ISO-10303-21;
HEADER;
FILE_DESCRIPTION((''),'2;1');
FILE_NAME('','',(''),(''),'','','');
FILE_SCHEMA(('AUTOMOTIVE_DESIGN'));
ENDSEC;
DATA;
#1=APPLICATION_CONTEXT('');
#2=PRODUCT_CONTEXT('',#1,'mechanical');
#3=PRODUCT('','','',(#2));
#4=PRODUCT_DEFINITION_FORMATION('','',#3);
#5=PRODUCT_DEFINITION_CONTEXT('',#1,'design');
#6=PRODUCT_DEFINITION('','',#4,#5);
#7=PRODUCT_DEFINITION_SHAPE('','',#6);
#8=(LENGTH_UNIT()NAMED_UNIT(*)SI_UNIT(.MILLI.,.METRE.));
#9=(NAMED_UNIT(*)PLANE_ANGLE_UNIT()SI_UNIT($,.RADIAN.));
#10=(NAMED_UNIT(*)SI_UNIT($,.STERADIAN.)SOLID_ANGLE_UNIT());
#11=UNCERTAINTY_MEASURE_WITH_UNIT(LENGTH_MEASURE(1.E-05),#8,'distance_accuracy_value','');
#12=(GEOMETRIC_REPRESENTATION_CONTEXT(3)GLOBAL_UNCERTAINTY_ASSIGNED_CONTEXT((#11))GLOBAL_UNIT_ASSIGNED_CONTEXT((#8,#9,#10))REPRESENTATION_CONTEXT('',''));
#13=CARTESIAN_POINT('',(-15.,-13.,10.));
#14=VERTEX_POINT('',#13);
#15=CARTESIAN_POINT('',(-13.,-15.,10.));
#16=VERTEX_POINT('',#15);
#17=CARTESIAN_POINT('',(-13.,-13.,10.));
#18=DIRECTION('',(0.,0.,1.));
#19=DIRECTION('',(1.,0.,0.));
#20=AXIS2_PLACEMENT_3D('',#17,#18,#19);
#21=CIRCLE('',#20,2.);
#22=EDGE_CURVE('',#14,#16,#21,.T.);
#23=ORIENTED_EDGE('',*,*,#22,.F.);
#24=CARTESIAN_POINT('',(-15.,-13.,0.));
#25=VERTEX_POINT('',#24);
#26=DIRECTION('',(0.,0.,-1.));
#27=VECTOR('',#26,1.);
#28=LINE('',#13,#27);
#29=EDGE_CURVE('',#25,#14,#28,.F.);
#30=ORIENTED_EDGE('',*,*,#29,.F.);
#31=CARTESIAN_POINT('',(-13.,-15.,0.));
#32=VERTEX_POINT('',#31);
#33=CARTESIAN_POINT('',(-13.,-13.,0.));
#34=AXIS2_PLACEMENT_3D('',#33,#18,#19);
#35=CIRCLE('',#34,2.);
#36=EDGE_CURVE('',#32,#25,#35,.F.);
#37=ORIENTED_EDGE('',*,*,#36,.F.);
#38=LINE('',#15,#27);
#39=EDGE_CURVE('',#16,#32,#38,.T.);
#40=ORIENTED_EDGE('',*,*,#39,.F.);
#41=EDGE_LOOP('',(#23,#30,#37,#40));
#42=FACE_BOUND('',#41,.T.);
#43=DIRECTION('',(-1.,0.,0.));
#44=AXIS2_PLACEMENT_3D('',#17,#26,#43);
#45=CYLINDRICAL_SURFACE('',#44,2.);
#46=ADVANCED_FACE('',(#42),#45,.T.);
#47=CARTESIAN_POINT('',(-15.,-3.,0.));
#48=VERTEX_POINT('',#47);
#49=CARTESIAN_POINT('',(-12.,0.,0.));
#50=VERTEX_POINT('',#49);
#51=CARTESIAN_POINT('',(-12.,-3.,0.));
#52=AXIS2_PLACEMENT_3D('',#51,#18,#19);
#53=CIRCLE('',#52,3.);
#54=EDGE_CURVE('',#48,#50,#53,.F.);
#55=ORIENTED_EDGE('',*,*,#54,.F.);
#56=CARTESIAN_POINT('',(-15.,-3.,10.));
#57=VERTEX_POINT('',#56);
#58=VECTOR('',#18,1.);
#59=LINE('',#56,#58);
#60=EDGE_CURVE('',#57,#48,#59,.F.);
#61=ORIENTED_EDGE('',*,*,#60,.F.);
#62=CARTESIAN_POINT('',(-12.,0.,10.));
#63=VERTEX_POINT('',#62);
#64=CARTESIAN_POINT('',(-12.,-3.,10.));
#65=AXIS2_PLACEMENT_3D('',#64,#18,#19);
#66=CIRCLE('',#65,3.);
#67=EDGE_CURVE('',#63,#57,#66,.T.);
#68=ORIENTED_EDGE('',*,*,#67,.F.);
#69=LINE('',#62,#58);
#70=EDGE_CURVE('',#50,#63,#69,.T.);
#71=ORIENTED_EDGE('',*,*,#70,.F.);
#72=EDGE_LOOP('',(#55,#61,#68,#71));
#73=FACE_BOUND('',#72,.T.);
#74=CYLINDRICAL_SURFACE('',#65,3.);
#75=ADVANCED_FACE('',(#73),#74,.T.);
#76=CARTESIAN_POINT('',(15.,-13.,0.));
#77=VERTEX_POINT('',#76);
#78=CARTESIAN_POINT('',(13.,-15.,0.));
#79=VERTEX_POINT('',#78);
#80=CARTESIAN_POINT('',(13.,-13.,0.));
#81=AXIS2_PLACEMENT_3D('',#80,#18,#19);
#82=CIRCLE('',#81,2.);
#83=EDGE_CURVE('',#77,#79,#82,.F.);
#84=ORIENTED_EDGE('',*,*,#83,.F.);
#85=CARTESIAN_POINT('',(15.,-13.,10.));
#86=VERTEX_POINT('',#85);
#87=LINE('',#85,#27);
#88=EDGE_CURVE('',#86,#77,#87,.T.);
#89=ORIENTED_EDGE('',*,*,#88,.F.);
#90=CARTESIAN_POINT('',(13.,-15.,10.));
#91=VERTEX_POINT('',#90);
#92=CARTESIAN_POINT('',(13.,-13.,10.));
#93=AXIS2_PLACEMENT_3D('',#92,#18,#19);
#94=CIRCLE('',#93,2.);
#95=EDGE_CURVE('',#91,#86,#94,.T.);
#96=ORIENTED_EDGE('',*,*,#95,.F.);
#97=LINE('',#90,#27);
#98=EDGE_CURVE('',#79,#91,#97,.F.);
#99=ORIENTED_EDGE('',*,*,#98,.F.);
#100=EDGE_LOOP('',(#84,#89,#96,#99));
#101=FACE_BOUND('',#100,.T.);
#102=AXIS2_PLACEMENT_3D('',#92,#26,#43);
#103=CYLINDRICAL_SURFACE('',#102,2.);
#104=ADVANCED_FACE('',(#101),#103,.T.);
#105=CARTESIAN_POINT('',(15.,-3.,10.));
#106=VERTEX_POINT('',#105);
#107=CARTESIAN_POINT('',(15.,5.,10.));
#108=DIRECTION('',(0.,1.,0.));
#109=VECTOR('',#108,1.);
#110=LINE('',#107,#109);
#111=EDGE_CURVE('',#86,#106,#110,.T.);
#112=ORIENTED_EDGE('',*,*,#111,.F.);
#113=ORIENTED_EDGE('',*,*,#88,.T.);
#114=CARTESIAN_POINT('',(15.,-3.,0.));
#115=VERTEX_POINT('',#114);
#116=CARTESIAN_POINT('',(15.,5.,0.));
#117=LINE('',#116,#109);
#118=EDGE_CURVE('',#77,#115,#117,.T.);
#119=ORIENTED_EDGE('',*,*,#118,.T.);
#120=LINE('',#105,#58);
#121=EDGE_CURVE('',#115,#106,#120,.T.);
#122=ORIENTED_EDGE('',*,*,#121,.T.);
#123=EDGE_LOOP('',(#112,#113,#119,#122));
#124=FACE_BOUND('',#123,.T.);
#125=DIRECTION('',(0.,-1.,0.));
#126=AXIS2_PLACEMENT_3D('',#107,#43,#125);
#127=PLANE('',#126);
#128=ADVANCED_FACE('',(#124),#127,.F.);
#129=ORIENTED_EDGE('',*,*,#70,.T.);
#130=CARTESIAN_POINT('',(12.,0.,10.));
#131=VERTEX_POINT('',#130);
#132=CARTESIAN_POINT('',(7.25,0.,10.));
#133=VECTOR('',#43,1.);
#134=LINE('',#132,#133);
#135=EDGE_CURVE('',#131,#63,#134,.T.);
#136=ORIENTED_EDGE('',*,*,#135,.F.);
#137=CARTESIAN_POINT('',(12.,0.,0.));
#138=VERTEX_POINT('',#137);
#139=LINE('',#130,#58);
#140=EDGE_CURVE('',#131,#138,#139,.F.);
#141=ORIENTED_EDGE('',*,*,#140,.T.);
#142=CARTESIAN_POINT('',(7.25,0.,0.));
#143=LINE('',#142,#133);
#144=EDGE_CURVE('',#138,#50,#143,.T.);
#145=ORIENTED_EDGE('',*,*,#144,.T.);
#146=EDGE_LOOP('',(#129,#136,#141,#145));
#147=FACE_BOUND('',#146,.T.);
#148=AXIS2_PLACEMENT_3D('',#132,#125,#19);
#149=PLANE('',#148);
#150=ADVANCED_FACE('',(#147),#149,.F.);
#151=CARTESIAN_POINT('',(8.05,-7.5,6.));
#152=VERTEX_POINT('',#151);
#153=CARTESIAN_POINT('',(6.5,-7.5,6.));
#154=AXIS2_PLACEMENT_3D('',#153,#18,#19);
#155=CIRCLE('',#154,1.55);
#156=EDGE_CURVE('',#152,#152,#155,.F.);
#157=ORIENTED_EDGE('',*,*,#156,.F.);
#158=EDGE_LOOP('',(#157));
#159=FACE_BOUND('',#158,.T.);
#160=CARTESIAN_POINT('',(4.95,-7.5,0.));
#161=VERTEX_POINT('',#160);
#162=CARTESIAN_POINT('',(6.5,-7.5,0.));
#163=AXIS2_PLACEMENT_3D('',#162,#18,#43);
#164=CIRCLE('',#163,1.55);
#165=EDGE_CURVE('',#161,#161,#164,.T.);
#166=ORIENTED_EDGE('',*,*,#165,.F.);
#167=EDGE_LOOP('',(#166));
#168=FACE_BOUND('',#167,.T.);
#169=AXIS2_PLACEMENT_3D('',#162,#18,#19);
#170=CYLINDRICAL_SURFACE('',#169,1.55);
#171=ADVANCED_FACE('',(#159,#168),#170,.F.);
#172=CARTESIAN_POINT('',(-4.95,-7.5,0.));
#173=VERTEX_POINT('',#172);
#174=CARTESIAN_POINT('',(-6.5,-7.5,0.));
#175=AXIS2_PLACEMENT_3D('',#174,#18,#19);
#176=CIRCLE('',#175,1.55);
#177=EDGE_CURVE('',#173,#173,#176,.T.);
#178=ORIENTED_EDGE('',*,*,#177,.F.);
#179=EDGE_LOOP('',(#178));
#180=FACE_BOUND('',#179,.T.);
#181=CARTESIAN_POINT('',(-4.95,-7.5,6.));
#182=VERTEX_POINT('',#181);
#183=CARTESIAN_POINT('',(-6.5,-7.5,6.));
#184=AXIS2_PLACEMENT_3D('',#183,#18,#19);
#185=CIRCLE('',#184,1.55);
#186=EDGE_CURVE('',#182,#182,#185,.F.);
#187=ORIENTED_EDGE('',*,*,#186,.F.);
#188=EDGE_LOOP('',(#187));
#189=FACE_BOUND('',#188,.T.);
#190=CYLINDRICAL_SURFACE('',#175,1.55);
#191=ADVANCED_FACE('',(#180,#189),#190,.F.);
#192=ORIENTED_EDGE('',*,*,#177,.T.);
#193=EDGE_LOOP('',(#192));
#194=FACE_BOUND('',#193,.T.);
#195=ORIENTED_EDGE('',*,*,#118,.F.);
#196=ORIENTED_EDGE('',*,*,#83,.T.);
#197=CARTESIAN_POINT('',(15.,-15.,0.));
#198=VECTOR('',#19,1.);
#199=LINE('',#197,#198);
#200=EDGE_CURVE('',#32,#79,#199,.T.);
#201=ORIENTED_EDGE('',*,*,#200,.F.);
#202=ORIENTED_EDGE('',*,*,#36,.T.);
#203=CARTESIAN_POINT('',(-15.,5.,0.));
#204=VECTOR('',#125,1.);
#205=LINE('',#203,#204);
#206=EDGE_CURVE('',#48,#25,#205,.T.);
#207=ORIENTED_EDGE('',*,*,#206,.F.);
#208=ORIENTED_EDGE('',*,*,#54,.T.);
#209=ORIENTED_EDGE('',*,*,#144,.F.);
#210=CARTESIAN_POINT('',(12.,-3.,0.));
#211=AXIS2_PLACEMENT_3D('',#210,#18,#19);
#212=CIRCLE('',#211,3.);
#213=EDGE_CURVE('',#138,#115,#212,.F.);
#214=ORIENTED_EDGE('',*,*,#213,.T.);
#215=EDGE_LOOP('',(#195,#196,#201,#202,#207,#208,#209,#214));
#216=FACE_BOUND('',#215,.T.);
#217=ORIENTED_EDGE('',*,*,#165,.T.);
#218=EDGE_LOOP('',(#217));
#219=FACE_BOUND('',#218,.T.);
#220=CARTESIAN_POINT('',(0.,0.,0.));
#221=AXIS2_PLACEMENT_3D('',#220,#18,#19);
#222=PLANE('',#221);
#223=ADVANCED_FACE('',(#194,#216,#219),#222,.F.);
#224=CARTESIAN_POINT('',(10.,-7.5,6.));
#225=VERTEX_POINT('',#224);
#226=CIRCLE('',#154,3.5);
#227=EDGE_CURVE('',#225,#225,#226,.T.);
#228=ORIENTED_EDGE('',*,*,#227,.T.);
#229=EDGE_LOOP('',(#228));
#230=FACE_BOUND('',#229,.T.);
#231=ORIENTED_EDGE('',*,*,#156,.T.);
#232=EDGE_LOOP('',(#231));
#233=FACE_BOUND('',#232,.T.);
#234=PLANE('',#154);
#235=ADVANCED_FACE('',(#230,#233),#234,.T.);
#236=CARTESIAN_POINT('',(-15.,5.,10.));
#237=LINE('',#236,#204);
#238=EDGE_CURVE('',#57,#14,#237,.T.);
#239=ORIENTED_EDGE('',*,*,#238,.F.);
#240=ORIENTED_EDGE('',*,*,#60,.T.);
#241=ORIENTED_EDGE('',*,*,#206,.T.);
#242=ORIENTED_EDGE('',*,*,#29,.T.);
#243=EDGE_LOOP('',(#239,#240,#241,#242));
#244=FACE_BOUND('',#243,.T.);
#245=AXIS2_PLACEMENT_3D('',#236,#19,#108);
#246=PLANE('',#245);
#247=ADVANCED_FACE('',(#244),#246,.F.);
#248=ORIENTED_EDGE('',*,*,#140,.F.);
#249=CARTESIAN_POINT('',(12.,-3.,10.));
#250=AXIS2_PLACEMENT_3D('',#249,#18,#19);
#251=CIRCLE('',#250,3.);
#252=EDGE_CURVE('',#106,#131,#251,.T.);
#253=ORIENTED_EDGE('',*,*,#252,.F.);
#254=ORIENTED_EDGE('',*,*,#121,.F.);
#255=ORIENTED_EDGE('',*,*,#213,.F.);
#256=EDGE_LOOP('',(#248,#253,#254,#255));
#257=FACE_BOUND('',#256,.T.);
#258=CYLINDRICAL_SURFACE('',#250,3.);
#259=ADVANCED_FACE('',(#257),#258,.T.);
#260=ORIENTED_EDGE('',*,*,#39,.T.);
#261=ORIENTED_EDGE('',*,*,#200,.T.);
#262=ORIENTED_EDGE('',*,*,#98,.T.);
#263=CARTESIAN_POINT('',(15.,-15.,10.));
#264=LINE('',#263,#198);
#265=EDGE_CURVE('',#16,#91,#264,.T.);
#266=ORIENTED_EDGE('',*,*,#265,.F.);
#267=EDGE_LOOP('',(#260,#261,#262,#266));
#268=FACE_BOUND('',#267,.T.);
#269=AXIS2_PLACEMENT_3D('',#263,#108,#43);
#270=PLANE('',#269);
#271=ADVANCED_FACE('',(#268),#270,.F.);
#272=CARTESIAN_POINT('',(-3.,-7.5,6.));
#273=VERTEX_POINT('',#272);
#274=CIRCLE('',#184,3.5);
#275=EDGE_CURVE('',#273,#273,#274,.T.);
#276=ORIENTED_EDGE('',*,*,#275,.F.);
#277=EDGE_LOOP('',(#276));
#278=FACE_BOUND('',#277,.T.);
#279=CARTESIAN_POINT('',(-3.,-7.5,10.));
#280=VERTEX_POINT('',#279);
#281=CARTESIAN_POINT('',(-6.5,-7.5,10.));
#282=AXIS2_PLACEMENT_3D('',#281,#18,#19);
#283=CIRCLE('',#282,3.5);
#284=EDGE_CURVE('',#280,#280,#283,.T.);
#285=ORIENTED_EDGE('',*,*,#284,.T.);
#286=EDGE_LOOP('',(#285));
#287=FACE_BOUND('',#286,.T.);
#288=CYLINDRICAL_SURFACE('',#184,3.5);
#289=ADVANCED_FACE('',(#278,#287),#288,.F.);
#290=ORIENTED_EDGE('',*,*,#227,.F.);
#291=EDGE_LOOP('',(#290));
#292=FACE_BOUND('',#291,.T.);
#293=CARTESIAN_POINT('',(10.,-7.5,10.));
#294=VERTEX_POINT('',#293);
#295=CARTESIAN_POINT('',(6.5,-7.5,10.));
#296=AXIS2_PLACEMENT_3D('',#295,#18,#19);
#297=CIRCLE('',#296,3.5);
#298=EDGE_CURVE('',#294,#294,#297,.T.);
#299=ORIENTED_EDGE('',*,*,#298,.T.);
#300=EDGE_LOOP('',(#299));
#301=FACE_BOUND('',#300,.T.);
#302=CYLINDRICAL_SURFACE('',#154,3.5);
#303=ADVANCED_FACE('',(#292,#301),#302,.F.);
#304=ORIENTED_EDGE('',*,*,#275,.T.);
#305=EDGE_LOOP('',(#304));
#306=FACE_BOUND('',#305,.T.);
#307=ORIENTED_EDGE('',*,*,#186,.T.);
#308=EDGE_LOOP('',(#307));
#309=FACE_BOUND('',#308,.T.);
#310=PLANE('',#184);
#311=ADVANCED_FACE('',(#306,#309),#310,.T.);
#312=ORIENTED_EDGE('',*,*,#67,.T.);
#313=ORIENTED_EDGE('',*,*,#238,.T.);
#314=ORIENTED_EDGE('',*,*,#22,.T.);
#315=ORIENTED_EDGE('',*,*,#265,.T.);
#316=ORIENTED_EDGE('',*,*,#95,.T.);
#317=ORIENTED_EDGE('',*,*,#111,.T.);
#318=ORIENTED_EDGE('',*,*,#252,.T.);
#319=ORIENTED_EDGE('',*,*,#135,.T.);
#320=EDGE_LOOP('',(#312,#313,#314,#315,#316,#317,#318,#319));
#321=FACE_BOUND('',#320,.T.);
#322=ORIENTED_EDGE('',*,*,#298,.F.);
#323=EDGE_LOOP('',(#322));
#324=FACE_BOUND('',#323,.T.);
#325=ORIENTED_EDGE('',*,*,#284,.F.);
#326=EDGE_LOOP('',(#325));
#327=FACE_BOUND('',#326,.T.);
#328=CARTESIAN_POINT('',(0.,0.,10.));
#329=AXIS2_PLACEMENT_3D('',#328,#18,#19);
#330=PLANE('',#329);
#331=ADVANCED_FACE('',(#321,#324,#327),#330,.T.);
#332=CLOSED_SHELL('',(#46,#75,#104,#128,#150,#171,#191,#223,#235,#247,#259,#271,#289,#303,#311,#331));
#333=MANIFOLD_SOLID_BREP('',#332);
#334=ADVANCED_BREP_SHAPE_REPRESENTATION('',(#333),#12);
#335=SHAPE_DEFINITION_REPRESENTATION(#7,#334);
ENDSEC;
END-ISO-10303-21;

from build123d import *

# Parameters (mm, degrees)
EXTRUDE_1_DEPTH          = 10
FILLET_1_R               = 2
SKETCH_2_R               = 1.55
CUT_EXTRUDE_1_DEPTH      = 11
SKETCH_3_W               = 30
SKETCH_3_H               = 5
CUT_EXTRUDE_2_DEPTH      = 1
CUT_EXTRUDE_2_DEPTH_BACK = 11
FILLET_2_R               = 3
SKETCH_5_R               = 3.5
CUT_EXTRUDE_3_DEPTH      = 4


with BuildPart() as part:
    # 草图1 → 凸台-拉伸1 (new body)
    with BuildSketch(Plane.XY):
        Polygon((7.25, 0), (-7.25, 0), (-7.25, 5), (-15, 5), (-15, -15), (15, -15), (15, 5), (7.25, 5), align=None)
    extrude(amount=EXTRUDE_1_DEPTH)

    # 圆角1
    fillet_1_edges = [part.edges().sort_by_distance(p)[0] for p in [
        (15, 5, 5),
        (15, -15, 5),
        (-15, -15, 5),
        (-15, 5, 5),
    ]]
    fillet(fillet_1_edges, radius=FILLET_1_R)

    # 草图2 → 切除-拉伸1 (cut, through all)
    with BuildSketch(Plane.XY.offset(10)):
        with Locations((-6.5, -7.5)):
            Circle(SKETCH_2_R)
        with Locations((6.5, -7.5)):
            Circle(SKETCH_2_R)
    extrude(amount=-CUT_EXTRUDE_1_DEPTH, mode=Mode.SUBTRACT)

    # 草图3 → 切除-拉伸2 (cut, two sides)
    with BuildSketch(Plane.XY.offset(10)) as cut_extrude_2_sk:
        with Locations((0, 2.5)):
            Rectangle(SKETCH_3_W, SKETCH_3_H)
    extrude(amount=CUT_EXTRUDE_2_DEPTH, mode=Mode.SUBTRACT)
    extrude(cut_extrude_2_sk.sketch, amount=-CUT_EXTRUDE_2_DEPTH_BACK, mode=Mode.SUBTRACT)

    # 圆角2
    fillet_2_edges = [part.edges().sort_by_distance(p)[0] for p in [
        (15, 0, 5),
        (-15, 0, 5),
    ]]
    fillet(fillet_2_edges, radius=FILLET_2_R)

    # 草图5 → 切除-拉伸3 (cut)
    with BuildSketch(Plane.XY.offset(10)):
        with Locations((-6.5, -7.500000001)):
            Circle(SKETCH_5_R)
        with Locations((6.5, -7.5)):
            Circle(SKETCH_5_R)
    extrude(amount=-CUT_EXTRUDE_3_DEPTH, mode=Mode.SUBTRACT)


solid = part.part
